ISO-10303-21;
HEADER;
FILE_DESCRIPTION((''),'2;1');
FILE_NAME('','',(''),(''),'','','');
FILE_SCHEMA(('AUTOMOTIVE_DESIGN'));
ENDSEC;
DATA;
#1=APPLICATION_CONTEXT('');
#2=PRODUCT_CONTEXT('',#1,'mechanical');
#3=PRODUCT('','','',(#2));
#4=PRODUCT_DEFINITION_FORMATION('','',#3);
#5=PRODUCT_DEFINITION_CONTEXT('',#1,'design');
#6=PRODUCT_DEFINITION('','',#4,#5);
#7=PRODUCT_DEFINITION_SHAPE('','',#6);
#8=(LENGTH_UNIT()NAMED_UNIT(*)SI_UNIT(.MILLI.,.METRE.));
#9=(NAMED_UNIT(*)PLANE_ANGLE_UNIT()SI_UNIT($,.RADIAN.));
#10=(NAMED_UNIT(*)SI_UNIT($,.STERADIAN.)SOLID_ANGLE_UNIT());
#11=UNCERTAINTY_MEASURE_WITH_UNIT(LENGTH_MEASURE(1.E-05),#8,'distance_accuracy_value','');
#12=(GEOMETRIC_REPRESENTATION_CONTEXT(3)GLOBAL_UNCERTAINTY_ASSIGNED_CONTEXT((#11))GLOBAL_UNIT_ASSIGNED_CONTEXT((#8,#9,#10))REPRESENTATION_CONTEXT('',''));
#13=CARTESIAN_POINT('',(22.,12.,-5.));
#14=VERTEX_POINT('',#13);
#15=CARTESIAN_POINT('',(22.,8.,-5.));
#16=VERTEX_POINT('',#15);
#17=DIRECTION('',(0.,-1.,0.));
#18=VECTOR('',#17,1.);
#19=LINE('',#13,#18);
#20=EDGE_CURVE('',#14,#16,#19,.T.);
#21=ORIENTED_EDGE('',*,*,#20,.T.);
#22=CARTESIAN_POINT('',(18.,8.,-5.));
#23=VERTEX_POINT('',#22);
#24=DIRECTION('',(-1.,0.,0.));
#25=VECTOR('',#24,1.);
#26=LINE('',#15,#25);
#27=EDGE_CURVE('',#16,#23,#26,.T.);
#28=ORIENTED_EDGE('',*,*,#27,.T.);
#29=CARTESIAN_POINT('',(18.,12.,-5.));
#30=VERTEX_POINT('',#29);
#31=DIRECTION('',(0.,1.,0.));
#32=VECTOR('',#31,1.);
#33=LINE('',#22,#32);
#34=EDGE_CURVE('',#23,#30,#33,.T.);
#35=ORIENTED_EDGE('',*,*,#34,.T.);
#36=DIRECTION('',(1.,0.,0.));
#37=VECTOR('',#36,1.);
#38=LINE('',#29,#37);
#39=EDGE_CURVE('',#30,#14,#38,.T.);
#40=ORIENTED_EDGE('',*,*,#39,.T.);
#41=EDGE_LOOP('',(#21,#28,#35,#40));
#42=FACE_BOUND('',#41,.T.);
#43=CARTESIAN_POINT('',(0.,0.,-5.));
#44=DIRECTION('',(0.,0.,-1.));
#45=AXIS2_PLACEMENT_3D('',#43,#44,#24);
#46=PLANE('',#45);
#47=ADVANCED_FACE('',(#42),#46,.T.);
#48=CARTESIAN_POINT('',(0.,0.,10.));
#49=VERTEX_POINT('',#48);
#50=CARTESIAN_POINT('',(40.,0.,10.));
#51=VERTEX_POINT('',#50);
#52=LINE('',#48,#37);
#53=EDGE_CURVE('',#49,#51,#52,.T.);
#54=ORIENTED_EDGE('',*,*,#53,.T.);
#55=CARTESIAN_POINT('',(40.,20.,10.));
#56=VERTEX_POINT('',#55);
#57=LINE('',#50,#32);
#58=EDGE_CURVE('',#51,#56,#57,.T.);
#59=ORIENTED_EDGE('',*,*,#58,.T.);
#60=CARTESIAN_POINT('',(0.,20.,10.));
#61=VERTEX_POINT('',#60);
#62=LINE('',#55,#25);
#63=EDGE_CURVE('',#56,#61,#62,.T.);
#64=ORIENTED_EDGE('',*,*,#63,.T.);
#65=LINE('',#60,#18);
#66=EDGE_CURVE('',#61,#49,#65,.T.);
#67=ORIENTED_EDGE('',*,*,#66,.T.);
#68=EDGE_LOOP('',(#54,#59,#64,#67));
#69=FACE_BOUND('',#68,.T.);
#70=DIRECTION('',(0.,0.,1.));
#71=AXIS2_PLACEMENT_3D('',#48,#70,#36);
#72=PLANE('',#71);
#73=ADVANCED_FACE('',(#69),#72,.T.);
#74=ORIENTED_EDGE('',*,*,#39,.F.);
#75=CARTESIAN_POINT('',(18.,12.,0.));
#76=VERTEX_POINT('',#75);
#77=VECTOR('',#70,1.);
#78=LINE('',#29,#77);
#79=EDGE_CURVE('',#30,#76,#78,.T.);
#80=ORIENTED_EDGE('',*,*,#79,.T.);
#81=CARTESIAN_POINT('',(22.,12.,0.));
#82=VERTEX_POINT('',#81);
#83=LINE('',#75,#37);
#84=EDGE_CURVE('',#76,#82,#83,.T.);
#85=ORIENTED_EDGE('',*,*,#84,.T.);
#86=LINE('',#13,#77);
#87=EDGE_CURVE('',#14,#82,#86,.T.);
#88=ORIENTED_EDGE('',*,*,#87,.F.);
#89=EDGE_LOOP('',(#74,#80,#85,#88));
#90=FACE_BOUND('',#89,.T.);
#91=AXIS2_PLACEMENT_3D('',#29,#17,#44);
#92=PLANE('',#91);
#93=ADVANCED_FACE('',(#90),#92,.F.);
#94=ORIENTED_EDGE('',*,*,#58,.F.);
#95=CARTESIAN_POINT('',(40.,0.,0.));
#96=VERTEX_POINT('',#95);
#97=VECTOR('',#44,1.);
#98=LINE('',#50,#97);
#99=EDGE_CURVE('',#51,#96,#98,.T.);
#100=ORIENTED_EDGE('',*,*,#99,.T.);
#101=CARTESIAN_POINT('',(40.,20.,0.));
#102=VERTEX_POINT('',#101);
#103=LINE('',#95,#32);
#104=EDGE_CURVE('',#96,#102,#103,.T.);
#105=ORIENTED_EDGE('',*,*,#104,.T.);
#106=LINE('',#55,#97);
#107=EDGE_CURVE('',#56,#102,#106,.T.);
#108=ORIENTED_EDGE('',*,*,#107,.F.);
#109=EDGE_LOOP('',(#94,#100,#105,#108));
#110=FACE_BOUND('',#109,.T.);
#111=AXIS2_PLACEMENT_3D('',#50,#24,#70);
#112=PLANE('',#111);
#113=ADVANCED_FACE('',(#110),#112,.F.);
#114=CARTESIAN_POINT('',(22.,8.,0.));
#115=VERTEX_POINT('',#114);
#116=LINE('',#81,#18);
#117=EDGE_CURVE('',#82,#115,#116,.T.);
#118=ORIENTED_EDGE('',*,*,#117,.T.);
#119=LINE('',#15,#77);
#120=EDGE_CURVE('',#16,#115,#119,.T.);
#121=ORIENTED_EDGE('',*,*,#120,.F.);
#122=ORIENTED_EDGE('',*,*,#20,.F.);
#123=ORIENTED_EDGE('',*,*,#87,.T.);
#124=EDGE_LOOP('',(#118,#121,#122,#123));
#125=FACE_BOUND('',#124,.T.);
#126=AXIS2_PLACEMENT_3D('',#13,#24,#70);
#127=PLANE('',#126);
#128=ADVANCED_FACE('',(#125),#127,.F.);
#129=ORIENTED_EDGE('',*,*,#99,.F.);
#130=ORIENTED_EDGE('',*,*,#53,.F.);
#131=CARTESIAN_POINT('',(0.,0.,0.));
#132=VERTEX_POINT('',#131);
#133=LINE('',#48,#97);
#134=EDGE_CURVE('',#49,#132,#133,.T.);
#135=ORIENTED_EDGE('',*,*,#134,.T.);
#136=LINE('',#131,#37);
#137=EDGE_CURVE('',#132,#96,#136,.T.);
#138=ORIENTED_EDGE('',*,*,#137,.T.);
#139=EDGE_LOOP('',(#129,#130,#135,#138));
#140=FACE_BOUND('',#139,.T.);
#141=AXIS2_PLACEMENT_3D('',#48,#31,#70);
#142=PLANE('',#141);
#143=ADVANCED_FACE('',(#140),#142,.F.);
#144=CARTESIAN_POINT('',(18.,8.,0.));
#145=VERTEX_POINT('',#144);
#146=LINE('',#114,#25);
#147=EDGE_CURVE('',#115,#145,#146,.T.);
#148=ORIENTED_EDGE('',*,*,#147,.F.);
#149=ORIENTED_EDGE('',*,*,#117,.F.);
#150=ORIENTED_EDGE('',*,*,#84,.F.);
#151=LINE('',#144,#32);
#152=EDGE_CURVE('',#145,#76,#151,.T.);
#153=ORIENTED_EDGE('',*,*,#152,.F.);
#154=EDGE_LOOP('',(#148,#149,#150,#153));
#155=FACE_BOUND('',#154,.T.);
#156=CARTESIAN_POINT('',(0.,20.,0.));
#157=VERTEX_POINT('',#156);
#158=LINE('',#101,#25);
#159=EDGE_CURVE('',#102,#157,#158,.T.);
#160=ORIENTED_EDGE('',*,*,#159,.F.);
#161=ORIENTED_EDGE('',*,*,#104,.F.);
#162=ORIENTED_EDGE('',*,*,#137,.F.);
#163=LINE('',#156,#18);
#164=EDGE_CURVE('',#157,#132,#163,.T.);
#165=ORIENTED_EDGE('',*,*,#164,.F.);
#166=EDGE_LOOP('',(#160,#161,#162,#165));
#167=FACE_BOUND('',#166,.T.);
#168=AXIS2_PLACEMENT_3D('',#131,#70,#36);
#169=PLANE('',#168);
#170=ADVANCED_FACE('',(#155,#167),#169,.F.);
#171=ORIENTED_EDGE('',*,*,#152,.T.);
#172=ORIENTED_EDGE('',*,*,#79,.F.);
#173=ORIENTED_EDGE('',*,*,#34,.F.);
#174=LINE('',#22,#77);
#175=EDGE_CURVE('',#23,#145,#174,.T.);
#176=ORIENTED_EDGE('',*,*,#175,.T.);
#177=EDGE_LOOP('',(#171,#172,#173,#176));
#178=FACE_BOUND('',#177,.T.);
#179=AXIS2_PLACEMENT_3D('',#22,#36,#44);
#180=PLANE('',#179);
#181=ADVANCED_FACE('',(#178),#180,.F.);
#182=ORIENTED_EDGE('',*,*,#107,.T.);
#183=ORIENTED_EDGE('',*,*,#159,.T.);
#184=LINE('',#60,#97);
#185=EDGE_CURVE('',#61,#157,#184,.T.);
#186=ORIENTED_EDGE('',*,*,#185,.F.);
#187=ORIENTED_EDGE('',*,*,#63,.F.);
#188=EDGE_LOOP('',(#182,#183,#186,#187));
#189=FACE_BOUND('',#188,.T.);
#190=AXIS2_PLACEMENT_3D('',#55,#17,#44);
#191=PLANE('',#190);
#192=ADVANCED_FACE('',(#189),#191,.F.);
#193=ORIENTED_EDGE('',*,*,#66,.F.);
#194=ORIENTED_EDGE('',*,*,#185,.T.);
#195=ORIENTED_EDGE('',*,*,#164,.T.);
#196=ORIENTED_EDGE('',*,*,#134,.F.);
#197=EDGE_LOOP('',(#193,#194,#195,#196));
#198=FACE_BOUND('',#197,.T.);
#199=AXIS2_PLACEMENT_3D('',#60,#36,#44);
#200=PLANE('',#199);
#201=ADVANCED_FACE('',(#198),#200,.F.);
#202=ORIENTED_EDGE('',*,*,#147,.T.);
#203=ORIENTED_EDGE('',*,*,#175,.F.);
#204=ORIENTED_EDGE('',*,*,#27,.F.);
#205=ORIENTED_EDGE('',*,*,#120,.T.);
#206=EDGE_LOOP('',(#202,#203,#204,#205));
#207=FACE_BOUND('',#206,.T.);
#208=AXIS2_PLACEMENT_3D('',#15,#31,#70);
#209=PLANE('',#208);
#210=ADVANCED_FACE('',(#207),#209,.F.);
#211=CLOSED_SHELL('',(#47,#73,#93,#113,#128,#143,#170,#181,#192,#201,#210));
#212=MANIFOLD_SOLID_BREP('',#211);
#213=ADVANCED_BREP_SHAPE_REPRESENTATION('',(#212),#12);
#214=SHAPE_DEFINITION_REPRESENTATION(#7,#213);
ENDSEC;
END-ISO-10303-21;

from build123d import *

# Parameters (mm, degrees)
SKETCH1_W           = 40
SKETCH1_H           = 20
BOSS_EXTRUDE1_DEPTH = 10
SKETCH2_W           = 4
SKETCH2_H           = 4
BOSS_EXTRUDE2_DEPTH = 5


with BuildPart() as part:
    # Sketch1 → Boss-Extrude1 (new body)
    with BuildSketch(Plane.XY):
        with Locations((20, 10)):
            Rectangle(SKETCH1_W, SKETCH1_H)
    extrude(amount=BOSS_EXTRUDE1_DEPTH)

    # Sketch2 → Boss-Extrude2 (add)
    with BuildSketch(Plane(origin=(0, 0, 0), x_dir=(-1, 0, 0), z_dir=(0, 0, -1))):
        with Locations((-20, 10)):
            Rectangle(SKETCH2_W, SKETCH2_H)
    extrude(amount=BOSS_EXTRUDE2_DEPTH)


solid = part.part
